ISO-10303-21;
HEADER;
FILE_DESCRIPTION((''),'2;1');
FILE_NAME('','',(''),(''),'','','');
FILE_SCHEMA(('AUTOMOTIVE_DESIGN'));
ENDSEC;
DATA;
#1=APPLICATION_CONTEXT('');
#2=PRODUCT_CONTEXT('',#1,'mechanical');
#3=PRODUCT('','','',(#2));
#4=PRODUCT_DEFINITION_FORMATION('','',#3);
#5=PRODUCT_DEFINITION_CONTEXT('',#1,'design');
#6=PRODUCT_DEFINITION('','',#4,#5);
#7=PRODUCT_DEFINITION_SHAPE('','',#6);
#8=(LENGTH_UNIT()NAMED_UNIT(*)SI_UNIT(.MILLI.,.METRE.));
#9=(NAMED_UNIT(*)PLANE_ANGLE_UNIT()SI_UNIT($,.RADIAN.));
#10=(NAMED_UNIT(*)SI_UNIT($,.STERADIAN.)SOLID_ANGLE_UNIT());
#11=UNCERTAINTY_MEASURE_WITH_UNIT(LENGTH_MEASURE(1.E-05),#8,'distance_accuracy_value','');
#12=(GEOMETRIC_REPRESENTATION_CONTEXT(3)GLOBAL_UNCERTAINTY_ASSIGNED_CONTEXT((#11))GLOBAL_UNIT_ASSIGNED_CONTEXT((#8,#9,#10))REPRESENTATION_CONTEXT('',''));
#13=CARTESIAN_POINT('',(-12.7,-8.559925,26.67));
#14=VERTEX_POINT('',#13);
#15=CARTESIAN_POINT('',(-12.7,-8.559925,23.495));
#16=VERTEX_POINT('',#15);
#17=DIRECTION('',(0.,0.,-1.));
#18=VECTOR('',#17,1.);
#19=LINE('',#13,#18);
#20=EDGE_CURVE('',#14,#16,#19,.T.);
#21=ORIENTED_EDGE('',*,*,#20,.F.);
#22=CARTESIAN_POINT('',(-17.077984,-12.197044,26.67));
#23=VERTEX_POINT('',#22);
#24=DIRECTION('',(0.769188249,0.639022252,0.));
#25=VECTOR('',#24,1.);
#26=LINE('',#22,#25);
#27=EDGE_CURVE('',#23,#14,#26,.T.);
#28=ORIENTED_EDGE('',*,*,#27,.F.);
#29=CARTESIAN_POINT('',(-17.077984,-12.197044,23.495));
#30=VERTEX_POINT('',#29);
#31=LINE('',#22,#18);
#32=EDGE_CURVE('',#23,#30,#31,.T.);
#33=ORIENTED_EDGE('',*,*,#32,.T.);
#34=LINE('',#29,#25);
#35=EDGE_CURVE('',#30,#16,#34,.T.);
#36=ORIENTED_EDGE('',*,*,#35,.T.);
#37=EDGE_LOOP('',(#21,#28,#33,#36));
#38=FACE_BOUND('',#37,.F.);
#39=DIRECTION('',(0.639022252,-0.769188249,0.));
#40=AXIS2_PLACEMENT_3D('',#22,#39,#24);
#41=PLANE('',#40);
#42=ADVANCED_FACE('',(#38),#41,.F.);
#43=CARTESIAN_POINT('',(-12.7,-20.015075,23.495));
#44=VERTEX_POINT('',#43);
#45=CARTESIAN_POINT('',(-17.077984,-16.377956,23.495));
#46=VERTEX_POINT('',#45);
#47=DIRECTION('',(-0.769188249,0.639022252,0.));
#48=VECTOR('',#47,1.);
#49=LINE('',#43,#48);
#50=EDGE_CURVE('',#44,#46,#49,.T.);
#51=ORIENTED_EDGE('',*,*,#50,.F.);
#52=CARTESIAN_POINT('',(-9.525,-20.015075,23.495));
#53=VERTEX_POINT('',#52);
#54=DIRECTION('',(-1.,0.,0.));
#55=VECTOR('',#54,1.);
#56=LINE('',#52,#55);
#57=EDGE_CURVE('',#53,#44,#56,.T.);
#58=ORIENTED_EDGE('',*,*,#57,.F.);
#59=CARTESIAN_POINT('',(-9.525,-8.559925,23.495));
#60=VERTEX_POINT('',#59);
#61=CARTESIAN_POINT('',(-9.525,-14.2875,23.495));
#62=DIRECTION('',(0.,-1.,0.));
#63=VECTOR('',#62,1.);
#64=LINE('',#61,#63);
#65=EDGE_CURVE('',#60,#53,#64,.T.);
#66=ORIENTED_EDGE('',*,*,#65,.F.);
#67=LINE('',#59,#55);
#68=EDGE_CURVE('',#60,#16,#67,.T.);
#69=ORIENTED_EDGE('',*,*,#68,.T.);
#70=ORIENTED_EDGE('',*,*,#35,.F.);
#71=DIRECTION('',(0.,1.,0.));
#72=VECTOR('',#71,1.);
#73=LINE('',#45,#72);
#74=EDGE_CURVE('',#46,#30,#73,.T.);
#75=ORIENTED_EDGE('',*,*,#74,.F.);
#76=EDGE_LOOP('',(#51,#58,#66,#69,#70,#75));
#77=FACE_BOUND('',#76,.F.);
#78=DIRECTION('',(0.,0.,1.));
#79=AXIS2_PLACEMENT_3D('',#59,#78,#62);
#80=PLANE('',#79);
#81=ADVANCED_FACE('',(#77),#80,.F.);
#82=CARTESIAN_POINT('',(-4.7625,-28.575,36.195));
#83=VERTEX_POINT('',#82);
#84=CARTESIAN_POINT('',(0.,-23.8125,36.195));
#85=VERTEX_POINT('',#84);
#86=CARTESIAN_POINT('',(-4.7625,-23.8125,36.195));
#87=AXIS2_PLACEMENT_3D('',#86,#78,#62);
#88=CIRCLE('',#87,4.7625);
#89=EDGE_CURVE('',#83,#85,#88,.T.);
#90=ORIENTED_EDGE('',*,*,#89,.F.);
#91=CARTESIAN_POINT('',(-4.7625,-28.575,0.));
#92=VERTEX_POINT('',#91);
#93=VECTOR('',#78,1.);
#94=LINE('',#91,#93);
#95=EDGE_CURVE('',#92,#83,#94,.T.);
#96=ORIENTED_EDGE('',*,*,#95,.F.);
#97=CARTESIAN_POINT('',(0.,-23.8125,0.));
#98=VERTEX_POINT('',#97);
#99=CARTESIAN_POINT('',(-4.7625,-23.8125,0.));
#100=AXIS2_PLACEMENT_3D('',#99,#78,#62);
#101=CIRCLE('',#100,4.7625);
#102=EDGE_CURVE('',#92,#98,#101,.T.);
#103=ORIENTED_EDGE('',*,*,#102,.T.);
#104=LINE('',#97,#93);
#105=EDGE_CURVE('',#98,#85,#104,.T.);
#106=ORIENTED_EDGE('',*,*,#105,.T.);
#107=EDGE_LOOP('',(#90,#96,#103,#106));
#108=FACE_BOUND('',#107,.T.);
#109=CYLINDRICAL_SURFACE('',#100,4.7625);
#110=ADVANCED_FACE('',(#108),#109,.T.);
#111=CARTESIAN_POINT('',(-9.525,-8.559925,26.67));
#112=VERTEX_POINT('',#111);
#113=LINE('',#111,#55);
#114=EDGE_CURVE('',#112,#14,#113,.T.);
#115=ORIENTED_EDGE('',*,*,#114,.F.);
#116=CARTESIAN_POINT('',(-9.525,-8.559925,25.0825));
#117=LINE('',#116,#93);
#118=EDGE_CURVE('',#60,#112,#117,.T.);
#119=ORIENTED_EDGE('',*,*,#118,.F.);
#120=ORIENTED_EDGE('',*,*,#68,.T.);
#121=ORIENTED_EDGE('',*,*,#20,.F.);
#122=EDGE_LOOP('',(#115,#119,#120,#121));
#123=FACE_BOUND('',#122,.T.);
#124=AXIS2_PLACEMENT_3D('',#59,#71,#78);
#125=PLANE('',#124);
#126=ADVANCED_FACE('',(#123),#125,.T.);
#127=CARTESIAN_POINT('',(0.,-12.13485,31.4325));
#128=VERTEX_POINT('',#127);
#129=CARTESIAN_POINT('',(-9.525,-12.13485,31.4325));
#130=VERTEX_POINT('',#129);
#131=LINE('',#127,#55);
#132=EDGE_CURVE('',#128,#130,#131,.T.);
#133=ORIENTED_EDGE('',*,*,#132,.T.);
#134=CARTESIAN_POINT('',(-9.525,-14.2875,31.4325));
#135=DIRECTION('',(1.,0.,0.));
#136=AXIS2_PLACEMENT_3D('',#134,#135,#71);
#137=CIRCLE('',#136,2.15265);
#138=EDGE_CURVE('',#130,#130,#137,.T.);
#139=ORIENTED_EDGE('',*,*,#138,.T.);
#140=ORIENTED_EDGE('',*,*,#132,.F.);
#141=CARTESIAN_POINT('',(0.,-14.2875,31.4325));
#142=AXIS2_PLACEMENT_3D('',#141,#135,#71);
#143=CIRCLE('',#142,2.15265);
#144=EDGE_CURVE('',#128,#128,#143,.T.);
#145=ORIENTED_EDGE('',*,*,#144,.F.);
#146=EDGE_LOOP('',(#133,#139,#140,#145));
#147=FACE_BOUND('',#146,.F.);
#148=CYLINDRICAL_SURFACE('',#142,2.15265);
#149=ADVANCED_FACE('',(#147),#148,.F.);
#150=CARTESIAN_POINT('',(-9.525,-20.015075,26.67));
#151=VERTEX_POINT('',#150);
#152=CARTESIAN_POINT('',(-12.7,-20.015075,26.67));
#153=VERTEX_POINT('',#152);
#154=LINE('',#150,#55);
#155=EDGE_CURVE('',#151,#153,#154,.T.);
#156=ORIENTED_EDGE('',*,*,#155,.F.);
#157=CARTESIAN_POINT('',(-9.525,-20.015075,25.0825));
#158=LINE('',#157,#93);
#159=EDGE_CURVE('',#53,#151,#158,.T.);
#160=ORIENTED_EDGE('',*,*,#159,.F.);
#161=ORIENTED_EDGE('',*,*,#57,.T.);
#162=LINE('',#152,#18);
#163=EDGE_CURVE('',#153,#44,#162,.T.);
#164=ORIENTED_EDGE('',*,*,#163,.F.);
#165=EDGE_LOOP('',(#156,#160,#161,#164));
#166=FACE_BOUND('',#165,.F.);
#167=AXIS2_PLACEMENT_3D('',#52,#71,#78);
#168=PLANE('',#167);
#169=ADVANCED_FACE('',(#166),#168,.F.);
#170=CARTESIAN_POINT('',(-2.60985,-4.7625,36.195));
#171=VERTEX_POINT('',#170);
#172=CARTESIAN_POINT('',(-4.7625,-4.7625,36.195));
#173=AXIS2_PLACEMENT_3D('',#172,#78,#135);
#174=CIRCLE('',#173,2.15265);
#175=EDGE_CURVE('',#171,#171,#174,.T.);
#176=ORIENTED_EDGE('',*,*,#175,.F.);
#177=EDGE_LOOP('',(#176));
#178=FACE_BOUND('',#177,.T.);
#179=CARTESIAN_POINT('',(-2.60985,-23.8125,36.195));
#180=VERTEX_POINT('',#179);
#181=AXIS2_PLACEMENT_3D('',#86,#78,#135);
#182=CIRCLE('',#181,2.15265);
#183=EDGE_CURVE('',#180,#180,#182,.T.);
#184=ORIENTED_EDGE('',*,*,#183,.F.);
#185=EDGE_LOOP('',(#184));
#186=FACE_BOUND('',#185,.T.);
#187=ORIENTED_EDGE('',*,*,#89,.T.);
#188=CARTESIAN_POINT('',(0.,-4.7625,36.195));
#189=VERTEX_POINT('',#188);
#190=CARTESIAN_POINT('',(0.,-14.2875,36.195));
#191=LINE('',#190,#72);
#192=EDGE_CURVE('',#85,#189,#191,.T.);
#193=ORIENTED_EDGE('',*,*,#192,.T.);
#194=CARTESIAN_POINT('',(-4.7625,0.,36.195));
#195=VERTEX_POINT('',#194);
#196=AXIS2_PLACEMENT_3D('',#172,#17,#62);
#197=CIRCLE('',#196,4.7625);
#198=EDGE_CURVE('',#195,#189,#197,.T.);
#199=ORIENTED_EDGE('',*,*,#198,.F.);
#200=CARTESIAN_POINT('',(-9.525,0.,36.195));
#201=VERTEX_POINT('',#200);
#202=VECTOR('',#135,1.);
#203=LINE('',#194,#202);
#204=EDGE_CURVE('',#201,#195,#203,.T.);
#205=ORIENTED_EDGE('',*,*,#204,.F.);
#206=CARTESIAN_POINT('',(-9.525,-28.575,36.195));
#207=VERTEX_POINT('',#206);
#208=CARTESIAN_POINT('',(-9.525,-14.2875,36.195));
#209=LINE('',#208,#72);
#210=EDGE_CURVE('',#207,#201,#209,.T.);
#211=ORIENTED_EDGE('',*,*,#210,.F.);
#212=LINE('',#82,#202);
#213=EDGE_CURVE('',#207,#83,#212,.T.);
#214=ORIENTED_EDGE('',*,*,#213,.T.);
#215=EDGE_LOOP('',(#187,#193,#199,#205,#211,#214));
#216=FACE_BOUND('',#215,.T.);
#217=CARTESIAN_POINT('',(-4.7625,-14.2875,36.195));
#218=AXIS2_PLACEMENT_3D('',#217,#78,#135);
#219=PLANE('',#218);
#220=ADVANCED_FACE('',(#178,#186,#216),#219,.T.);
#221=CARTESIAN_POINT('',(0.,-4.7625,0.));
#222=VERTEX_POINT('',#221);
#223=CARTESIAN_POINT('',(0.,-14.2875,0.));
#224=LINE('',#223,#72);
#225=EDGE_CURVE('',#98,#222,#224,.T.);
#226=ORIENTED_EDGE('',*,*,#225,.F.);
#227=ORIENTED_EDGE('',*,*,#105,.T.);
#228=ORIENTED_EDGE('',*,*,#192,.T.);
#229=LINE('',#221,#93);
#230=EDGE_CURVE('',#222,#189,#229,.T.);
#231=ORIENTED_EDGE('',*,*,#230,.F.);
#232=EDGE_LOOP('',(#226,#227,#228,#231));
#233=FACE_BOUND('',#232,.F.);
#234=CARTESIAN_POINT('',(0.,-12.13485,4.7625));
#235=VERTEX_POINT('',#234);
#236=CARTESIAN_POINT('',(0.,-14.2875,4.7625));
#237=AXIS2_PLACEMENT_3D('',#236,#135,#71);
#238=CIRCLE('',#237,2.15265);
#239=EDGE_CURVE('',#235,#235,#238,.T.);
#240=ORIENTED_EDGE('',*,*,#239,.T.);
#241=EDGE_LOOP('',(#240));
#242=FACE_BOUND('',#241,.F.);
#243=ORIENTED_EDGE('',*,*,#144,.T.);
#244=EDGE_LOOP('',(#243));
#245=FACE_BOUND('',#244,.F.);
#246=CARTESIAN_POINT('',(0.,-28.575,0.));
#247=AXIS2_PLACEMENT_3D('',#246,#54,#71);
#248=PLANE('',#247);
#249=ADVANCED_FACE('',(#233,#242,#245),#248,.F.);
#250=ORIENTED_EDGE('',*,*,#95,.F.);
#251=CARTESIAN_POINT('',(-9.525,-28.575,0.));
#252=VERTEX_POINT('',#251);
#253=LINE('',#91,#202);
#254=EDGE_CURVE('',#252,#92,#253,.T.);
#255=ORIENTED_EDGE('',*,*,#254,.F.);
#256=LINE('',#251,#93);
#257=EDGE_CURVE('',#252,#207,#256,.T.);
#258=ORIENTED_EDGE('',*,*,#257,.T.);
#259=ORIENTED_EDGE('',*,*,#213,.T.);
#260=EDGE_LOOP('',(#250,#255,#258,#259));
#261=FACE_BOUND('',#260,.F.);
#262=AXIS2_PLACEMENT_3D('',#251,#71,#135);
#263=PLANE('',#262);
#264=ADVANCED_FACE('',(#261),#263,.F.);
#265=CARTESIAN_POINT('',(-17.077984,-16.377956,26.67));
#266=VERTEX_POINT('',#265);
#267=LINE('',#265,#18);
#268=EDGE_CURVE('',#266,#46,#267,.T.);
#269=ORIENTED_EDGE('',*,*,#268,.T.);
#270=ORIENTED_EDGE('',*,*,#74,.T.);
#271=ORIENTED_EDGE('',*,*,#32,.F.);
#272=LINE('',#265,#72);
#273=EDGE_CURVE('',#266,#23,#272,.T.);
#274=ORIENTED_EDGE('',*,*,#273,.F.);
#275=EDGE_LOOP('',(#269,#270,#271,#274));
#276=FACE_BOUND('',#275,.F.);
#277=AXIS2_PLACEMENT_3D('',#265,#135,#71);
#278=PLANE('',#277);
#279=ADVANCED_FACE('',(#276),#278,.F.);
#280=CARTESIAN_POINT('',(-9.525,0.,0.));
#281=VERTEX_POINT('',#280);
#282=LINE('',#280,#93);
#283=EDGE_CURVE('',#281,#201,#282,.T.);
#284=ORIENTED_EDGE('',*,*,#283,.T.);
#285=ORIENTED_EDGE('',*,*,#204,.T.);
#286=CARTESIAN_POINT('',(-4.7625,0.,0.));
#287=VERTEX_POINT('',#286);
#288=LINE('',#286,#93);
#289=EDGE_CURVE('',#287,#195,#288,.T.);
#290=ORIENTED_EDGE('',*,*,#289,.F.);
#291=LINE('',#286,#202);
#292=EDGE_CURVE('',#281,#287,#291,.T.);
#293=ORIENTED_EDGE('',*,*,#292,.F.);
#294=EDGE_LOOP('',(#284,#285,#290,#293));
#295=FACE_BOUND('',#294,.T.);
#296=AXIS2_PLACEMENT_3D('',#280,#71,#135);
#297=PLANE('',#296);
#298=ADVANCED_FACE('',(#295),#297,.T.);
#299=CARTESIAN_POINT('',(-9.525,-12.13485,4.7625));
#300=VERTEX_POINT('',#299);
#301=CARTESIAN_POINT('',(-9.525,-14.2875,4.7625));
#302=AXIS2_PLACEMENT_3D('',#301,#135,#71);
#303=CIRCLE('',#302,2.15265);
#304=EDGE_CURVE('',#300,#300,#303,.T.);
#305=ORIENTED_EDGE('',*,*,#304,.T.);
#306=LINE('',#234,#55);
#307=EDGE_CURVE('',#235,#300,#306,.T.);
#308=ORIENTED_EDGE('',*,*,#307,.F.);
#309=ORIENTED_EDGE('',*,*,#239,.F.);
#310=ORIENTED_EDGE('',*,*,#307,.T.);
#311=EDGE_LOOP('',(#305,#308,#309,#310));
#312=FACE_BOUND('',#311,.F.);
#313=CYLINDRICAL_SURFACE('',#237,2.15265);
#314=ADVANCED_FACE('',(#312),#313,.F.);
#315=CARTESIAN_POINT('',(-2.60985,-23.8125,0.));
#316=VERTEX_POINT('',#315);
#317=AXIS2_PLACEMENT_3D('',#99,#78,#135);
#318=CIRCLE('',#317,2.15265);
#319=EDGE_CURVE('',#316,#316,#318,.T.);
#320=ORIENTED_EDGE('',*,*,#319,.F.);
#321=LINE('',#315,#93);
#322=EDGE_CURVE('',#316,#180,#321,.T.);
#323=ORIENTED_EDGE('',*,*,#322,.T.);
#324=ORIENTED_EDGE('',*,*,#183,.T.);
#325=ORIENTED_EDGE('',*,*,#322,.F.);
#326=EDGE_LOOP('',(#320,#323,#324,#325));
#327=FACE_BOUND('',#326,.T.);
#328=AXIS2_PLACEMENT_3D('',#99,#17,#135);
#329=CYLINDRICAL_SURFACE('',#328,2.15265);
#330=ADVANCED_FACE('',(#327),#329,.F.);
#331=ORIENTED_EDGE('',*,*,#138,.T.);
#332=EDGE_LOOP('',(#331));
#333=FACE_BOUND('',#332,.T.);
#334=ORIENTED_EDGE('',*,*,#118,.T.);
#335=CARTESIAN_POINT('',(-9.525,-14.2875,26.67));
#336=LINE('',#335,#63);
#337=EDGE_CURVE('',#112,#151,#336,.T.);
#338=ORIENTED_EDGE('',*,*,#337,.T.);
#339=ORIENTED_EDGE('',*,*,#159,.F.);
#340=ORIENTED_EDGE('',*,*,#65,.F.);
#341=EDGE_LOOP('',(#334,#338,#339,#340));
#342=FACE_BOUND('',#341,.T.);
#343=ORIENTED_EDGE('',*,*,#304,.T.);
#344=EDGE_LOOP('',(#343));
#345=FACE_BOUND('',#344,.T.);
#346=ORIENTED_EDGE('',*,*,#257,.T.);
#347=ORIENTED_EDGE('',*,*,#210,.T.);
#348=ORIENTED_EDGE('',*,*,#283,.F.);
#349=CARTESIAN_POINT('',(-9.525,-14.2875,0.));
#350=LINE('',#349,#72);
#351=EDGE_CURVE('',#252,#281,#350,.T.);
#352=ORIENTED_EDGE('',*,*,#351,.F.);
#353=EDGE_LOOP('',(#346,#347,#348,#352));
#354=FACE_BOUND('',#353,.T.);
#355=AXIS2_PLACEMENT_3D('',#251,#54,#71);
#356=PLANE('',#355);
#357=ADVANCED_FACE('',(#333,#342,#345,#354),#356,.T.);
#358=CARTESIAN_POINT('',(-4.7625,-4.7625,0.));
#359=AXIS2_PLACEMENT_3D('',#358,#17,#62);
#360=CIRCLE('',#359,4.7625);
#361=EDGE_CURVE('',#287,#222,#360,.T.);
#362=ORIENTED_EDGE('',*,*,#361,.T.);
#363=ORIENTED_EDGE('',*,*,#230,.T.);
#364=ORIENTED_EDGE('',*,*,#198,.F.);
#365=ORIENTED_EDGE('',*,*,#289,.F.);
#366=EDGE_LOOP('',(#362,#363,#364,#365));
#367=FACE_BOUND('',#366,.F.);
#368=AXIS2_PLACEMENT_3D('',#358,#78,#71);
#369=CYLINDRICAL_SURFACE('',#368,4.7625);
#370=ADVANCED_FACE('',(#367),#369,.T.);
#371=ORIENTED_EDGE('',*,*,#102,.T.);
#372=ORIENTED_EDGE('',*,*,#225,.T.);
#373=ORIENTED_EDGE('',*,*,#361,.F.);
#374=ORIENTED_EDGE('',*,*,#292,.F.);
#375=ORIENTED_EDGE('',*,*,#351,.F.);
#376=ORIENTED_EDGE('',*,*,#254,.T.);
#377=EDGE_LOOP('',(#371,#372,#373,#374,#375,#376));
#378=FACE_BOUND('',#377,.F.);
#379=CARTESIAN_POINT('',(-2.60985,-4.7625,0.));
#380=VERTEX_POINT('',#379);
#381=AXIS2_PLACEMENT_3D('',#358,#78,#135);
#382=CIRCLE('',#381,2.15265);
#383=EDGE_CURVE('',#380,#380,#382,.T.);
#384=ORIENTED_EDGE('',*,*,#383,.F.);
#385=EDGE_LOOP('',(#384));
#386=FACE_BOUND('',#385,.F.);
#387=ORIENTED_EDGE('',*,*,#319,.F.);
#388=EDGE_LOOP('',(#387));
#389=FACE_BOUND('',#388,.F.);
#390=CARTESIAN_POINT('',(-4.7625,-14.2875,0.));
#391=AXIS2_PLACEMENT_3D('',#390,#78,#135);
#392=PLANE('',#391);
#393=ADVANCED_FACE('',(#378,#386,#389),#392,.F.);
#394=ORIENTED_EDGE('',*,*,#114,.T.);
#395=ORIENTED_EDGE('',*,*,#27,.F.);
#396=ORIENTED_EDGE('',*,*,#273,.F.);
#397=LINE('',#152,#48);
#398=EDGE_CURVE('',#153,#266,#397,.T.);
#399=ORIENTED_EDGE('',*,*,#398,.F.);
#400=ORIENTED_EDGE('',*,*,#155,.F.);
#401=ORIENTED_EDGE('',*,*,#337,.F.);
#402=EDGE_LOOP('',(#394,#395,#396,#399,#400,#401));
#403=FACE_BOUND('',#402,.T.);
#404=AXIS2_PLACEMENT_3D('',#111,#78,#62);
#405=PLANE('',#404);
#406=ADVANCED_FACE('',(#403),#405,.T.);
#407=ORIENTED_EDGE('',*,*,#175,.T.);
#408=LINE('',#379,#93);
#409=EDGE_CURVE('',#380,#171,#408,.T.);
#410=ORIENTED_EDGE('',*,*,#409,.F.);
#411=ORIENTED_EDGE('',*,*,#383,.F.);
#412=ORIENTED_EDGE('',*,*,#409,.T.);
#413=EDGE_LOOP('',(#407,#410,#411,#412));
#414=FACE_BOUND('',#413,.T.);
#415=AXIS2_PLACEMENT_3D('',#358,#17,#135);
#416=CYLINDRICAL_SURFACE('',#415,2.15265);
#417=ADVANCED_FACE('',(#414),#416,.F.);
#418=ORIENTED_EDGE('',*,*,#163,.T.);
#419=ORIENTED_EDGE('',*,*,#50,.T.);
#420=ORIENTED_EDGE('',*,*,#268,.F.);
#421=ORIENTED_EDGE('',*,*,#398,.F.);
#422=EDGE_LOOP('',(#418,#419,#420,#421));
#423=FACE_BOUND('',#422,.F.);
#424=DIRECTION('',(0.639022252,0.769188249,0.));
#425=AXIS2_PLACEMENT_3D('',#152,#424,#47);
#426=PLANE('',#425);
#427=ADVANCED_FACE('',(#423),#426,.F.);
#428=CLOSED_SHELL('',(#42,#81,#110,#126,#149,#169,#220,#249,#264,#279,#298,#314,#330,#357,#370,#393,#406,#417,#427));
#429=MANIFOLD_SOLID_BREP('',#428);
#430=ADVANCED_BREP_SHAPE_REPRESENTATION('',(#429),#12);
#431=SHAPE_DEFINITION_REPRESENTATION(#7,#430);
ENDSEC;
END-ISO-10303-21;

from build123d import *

# Parameters (mm, degrees)
F0_W     = 9.525
F0_H     = 28.575
F0_R     = 2.15265
F1_DEPTH = 36.195
F2_R     = 2.15265
F3_DEPTH = 9.525
F4_R     = 4.7625
F5_W     = 11.45515
F5_H     = 3.175
F6_DEPTH = 25.4
F8_DEPTH = 3.175


with BuildPart() as f1:
    # F0 (on Top) → F1 (new body)
    with BuildSketch(Plane.XY):
        with Locations((-4.7625, -14.2875)):
            Rectangle(F0_W, F0_H)
        with Locations((-4.7625, -23.8125)):
            Circle(F0_R, mode=Mode.SUBTRACT)
        with Locations((-4.7625, -4.7625)):
            Circle(F0_R, mode=Mode.SUBTRACT)
    extrude(amount=F1_DEPTH)

    # F2 (on face) → F3 (cut, through all)
    with BuildSketch(Plane.YZ):
        with Locations((-14.2875, 31.4325)):
            Circle(F2_R)
        with Locations((-14.2875, 4.7625)):
            Circle(F2_R)
    extrude(amount=-F3_DEPTH, mode=Mode.SUBTRACT)

    # F4
    f4_edges = [f1.edges().sort_by_distance(p)[0] for p in [
        (0, -28.575, 18.0975),
        (0, 0, 18.0975),
    ]]
    fillet(f4_edges, radius=F4_R)

    # F5 (on face) → F6 (join)
    with BuildSketch(Plane(origin=(-9.525, 0, 0), x_dir=(0, -1, 0), z_dir=(-1, 0, 0))):
        with Locations((14.2875, 25.0825)):
            Rectangle(F5_W, F5_H)
    extrude(amount=F6_DEPTH)

    # F7 (on face) → F8 (cut, through all)
    with BuildSketch(Plane.XY.offset(26.67)):
        Polygon((-12.7, -8.559925), (-34.925, -8.559925), (-34.925, -20.015075), (-12.7, -20.015075), (-17.077984, -16.377956), (-17.077984, -12.197044), align=None)
    extrude(amount=-F8_DEPTH, mode=Mode.SUBTRACT)


solid = f1.part
